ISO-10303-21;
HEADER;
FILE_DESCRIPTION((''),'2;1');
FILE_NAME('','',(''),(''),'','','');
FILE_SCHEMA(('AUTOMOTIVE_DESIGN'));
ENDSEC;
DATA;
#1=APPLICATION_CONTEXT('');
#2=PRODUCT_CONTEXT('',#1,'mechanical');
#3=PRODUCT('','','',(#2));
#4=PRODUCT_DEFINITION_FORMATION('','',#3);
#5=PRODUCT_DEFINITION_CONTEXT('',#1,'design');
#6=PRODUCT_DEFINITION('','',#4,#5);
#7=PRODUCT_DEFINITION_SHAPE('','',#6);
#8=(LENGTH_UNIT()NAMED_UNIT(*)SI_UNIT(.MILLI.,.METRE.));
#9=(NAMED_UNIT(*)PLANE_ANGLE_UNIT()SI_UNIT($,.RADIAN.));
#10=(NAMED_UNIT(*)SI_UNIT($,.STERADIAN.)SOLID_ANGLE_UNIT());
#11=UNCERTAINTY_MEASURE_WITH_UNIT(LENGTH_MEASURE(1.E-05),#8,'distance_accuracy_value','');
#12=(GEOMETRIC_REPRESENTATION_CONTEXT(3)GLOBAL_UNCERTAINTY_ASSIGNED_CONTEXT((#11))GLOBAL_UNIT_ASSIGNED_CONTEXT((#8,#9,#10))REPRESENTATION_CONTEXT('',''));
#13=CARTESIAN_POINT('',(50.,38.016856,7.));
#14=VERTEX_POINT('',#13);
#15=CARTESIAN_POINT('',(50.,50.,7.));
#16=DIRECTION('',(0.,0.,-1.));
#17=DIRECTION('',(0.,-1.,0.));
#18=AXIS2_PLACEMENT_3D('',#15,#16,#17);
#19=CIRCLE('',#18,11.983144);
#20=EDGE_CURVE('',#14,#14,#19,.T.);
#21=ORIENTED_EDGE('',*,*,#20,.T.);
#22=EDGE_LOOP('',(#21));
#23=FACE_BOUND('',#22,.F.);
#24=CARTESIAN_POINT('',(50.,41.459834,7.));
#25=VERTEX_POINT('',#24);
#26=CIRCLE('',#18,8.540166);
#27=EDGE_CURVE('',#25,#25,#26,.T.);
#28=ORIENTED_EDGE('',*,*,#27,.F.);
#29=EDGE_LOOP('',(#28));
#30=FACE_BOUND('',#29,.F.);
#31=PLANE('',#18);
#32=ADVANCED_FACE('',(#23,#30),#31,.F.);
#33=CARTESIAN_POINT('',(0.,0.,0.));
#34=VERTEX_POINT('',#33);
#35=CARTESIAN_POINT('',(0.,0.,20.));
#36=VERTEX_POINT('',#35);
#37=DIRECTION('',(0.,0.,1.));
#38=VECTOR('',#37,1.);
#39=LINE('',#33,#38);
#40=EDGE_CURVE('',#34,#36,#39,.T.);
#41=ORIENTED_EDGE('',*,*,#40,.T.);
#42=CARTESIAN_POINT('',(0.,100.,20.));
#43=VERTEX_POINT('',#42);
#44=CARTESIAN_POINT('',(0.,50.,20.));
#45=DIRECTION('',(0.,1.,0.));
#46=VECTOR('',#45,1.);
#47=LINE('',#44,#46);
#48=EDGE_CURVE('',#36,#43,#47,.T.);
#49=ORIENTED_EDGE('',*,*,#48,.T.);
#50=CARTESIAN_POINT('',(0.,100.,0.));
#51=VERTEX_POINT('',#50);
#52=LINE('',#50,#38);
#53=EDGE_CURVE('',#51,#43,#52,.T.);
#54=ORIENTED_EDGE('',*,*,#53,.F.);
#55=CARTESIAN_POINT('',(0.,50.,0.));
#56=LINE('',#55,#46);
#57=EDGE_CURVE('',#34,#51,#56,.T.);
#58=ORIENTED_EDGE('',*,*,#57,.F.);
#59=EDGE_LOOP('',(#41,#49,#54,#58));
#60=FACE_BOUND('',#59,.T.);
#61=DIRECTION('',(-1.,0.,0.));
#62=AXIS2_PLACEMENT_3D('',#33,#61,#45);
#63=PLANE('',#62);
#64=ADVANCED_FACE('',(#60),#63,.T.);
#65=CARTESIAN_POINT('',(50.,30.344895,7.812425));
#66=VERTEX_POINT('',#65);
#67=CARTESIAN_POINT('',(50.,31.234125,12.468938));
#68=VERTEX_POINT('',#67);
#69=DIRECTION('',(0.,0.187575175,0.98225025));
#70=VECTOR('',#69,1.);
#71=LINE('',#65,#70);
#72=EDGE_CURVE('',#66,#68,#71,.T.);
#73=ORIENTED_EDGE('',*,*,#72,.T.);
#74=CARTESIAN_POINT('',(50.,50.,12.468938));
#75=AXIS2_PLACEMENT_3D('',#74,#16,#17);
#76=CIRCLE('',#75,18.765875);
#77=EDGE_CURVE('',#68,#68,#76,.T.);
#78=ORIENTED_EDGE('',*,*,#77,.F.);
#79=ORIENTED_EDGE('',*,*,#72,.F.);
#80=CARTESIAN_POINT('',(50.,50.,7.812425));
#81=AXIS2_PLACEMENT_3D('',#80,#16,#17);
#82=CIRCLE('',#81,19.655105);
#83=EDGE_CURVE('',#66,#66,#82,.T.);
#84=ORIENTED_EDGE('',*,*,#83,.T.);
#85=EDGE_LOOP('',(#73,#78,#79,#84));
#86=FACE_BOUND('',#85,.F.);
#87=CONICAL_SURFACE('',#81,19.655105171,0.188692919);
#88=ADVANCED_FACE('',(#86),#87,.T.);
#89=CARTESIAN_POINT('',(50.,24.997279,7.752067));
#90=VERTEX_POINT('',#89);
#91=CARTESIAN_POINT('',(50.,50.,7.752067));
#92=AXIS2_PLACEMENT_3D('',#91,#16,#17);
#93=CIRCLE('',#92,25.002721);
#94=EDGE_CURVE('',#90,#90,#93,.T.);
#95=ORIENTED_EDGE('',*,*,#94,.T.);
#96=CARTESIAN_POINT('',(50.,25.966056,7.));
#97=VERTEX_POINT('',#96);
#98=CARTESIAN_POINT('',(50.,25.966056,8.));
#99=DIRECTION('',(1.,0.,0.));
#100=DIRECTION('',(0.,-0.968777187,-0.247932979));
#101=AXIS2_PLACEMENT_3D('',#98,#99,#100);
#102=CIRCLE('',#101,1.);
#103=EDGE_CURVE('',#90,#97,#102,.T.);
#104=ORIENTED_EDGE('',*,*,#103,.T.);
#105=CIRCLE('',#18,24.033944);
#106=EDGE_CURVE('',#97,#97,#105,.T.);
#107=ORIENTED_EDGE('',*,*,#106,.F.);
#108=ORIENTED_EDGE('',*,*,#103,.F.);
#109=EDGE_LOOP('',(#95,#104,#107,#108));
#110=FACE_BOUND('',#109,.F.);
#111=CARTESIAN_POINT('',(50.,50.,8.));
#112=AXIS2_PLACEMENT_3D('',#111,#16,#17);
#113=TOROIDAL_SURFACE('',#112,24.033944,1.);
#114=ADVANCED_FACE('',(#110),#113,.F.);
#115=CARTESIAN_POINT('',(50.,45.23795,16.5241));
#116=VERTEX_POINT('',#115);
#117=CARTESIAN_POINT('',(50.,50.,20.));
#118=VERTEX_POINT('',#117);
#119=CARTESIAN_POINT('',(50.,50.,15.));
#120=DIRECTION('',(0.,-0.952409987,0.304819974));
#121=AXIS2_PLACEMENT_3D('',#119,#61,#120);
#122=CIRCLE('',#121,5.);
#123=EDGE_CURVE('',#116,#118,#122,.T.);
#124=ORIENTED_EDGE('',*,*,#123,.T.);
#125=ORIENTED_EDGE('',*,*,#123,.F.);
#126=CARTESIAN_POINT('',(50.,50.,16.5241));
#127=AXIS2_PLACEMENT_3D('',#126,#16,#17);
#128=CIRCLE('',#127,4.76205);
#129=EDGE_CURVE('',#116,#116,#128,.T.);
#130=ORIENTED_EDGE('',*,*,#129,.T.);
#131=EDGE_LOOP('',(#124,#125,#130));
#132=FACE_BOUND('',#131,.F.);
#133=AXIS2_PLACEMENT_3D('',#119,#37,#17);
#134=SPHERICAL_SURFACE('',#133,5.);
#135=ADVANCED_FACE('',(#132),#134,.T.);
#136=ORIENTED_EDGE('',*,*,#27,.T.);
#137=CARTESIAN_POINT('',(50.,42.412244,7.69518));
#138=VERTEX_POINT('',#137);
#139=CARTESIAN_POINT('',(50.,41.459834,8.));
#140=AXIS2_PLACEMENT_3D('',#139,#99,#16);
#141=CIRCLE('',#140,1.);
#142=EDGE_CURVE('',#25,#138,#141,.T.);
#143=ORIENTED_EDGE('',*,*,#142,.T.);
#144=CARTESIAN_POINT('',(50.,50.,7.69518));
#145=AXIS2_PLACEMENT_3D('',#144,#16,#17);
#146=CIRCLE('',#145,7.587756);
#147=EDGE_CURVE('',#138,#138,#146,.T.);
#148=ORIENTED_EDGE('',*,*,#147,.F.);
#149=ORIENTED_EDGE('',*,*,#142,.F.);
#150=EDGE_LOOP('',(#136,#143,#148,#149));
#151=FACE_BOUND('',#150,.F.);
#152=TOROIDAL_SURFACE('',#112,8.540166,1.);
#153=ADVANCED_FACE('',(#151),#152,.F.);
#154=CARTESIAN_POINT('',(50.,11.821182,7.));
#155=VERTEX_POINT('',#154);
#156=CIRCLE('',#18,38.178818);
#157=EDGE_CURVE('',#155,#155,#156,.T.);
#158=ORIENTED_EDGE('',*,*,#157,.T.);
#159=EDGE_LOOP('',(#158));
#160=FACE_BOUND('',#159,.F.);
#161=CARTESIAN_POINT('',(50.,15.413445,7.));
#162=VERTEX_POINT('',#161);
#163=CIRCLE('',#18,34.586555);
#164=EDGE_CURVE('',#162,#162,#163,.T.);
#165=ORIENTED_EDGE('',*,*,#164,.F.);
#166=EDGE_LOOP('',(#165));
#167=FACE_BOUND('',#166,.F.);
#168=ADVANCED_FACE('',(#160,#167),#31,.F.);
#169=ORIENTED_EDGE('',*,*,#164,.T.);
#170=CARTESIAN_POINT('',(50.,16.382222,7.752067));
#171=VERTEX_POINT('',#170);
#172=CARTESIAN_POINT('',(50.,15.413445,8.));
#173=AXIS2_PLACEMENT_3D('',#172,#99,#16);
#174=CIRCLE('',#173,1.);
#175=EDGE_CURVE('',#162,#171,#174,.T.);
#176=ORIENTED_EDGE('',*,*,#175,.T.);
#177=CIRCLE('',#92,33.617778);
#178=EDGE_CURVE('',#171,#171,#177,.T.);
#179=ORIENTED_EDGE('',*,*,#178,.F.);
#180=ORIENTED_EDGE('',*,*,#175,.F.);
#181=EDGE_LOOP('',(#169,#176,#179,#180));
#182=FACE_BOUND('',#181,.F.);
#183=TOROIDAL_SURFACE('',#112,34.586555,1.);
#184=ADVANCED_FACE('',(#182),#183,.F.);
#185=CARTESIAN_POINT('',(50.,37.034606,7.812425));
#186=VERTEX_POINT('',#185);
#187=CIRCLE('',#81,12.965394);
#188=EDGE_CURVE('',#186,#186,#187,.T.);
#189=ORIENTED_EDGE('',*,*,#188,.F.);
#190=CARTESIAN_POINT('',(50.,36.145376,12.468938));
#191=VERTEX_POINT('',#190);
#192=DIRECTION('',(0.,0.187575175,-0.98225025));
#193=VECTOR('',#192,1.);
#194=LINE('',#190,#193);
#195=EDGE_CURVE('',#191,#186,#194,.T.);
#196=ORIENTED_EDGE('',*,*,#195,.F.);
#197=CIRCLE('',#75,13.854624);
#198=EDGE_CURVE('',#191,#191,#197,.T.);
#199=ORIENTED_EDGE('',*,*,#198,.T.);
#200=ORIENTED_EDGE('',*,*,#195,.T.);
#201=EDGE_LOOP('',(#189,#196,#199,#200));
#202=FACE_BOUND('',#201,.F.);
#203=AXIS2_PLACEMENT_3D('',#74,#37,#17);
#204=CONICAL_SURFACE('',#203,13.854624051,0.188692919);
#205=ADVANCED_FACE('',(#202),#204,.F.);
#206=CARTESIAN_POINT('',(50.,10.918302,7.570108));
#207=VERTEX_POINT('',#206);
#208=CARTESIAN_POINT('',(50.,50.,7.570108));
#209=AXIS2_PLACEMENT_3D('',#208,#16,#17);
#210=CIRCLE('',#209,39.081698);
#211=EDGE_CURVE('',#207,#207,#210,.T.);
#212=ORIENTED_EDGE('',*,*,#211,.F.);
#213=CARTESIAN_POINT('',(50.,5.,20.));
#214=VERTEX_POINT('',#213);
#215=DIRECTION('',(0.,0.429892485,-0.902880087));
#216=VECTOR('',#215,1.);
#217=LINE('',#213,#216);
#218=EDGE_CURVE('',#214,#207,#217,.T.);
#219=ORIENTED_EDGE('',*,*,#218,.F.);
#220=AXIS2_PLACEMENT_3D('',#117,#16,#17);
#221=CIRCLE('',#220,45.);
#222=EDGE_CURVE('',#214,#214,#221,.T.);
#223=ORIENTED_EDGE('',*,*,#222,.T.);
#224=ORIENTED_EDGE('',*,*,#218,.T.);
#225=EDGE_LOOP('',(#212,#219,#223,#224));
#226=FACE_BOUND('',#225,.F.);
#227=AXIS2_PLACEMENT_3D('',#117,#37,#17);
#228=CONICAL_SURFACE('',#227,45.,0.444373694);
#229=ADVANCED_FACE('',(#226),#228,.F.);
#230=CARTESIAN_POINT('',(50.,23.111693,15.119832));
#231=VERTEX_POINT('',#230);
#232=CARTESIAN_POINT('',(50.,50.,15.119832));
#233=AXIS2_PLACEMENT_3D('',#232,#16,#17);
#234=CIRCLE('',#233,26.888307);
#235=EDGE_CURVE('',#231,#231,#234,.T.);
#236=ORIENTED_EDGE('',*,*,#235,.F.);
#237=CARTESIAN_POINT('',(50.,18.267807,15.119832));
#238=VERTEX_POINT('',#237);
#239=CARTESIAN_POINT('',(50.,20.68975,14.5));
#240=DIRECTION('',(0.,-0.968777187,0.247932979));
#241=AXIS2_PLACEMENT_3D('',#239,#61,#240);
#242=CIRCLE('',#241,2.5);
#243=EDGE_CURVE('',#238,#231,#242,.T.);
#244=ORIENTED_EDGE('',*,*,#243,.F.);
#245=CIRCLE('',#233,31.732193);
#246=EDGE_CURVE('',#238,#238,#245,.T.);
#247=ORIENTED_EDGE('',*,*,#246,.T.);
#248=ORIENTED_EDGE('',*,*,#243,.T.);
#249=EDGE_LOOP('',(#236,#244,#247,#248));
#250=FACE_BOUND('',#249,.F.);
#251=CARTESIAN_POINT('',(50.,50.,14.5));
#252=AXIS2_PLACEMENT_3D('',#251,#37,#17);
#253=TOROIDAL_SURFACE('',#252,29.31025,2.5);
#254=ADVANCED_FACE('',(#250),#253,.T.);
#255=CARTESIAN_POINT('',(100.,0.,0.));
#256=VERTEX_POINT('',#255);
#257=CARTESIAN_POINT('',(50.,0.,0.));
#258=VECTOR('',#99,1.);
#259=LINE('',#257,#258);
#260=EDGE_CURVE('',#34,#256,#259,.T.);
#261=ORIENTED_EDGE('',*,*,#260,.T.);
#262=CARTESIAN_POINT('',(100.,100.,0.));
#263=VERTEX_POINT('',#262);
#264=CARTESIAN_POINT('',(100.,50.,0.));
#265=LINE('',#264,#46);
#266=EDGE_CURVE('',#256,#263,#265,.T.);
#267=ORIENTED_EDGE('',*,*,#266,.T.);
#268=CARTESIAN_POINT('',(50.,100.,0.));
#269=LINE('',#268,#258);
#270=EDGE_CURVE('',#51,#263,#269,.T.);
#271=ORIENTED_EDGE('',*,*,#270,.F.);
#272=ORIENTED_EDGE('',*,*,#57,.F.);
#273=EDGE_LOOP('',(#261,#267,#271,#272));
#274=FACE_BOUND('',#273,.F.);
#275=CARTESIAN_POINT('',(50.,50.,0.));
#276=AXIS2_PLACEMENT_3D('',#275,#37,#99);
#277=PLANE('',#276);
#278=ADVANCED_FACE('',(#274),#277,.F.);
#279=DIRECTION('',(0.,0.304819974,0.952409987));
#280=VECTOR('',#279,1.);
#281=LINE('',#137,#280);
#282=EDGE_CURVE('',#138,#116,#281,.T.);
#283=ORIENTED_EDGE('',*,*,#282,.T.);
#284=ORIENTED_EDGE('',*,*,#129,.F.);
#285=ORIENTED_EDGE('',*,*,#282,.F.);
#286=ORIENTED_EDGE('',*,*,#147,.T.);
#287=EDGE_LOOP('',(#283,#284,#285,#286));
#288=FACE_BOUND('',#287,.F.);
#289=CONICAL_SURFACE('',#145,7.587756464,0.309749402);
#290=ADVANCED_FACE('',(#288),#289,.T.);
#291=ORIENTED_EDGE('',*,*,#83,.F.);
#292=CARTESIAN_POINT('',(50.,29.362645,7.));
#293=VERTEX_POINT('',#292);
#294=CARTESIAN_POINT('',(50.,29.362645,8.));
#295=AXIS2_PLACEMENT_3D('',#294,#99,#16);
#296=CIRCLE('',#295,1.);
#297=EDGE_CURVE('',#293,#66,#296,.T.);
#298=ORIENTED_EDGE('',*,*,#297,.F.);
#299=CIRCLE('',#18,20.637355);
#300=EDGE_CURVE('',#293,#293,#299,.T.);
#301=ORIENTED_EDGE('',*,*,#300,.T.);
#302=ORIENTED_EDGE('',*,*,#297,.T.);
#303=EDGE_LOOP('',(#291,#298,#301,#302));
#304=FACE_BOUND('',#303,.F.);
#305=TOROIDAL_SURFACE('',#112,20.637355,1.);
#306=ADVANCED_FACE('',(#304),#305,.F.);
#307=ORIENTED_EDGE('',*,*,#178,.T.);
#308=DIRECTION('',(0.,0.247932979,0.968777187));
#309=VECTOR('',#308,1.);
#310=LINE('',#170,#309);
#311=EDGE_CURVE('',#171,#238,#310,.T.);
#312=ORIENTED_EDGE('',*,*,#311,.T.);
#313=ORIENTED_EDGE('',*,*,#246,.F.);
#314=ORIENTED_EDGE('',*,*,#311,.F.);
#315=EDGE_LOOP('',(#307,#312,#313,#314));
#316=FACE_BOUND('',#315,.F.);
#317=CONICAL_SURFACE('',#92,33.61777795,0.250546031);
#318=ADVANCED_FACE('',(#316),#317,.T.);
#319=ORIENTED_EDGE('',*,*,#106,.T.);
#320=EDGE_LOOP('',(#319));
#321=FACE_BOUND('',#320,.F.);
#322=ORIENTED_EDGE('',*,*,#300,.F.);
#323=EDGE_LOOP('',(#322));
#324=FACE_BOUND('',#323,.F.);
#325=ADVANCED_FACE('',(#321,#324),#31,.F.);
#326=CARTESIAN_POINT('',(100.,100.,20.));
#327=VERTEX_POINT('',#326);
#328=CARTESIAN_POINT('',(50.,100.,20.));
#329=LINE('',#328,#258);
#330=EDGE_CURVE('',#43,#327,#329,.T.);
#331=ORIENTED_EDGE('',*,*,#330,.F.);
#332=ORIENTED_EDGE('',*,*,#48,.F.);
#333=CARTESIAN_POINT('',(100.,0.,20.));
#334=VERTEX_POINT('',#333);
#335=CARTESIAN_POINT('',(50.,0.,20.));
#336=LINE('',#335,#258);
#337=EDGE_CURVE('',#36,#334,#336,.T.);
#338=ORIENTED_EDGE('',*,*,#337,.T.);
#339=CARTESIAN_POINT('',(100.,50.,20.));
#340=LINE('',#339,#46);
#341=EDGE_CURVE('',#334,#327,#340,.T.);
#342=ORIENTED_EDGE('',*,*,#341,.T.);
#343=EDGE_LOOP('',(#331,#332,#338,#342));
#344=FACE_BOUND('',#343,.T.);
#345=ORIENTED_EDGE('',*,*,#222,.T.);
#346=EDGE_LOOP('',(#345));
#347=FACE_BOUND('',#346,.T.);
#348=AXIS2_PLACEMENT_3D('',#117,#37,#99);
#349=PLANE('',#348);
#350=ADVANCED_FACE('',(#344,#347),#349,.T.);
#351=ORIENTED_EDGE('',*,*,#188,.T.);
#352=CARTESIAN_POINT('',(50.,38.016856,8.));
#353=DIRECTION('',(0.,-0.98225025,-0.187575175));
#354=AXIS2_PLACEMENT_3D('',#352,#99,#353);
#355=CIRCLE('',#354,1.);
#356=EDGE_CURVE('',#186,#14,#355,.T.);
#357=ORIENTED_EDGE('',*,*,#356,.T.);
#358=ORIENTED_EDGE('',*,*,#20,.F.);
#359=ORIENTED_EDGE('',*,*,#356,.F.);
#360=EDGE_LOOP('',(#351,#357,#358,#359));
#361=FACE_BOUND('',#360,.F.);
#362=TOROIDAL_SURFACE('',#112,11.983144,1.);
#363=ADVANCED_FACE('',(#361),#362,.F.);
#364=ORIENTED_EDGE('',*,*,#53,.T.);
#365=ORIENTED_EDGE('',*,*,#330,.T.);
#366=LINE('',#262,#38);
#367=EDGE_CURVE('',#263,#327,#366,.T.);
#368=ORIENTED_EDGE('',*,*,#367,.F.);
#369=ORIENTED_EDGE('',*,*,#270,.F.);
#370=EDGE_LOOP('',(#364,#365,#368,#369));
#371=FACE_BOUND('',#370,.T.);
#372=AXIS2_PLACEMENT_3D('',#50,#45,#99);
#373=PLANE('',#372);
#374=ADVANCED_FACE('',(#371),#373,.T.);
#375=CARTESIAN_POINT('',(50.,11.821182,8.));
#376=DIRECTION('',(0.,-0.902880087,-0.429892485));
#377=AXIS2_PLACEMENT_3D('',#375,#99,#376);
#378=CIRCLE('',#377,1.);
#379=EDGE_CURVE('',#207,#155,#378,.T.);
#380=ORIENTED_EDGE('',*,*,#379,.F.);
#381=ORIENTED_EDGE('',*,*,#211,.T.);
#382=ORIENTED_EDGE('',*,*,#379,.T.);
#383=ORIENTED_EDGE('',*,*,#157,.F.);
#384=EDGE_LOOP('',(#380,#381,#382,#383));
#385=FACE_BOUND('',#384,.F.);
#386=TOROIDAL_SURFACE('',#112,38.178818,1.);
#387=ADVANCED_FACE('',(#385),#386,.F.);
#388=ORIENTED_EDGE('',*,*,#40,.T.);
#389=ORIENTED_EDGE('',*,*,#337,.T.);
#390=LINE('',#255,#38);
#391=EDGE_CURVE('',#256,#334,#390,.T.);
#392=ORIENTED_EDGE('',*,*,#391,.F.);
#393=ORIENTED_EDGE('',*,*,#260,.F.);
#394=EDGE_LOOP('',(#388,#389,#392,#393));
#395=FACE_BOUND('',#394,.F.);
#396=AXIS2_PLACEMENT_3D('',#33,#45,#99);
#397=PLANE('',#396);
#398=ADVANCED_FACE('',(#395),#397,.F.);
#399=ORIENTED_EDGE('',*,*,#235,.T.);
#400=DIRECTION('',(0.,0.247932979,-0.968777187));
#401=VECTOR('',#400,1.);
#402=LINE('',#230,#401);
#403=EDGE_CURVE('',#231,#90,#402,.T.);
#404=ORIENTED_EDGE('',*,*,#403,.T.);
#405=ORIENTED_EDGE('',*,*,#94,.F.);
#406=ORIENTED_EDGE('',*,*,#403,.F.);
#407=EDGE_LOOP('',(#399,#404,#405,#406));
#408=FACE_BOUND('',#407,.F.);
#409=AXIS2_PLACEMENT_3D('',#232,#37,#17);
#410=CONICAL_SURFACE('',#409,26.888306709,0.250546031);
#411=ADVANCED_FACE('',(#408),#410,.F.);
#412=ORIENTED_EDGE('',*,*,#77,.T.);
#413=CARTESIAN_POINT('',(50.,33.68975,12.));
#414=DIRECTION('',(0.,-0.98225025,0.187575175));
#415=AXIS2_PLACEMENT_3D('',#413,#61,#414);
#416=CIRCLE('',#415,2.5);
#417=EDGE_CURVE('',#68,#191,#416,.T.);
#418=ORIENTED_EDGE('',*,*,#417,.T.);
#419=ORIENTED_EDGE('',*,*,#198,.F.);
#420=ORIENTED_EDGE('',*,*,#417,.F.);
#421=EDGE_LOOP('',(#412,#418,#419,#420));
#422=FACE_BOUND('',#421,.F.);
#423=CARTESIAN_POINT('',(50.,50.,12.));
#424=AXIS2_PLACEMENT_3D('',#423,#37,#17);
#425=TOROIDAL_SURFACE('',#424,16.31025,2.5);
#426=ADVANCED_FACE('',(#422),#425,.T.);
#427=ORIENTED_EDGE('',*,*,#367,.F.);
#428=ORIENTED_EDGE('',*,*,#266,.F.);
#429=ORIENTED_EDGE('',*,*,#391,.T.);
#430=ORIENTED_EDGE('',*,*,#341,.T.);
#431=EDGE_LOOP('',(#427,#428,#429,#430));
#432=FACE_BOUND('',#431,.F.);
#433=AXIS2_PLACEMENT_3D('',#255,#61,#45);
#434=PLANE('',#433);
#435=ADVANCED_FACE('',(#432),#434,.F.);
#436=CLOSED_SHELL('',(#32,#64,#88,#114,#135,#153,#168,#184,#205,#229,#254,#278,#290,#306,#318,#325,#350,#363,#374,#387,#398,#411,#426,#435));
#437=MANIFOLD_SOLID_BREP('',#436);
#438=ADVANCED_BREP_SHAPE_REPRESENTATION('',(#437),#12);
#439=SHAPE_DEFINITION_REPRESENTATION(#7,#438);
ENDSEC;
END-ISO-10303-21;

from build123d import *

# Parameters (mm, degrees)
F0_W     = 100
F0_H     = 100
F1_DEPTH = 20


with BuildPart() as f1:
    # F0 (on Top) → F1 (new body)
    with BuildSketch(Plane.XY):
        with Locations((50, 50)):
            Rectangle(F0_W, F0_H)
    extrude(amount=F1_DEPTH)

    # F3 (on offset) → F4 (revolve, cut)
    with BuildSketch(Plane.YZ.offset(50)):
        with BuildLine():
            ThreePointArc((45.2379500648, 16.5240998704), (47.0521617541, 19.0385950126), (50, 20))
            Line((50, 20), (50, 25.9662102908))
            Line((50, 25.9662102908), (5, 25.9662102908))
            Line((5, 25.9662102908), (5, 20))
            Line((5, 20), (10.9183023877, 7.5701075147))
            ThreePointArc((10.9183023877, 7.5701075147), (11.2872782158, 7.1544550617), (11.8211824744, 7))
            Line((11.8211824744, 7), (15.4134448627, 7))
            ThreePointArc((15.4134448627, 7), (16.0266605756, 7.2100845049), (16.3822220496, 7.7520670211))
            Line((16.3822220496, 7.7520670211), (18.2678073567, 15.1198324471))
            ThreePointArc((18.2678073567, 15.1198324471), (20.6897503241, 17), (23.1116932915, 15.1198324471))
            Line((23.1116932915, 15.1198324471), (24.9972785985, 7.7520670211))
            ThreePointArc((24.9972785985, 7.7520670211), (25.3528400726, 7.2100845049), (25.9660557855, 7))
            Line((25.9660557855, 7), (29.362644579, 7))
            ThreePointArc((29.362644579, 7), (29.9999925314, 7.22942386), (30.344894829, 7.812424825))
            Line((30.344894829, 7.812424825), (31.234124699, 12.4689379376))
            ThreePointArc((31.234124699, 12.4689379376), (33.6897503241, 14.5), (36.1453759492, 12.4689379376))
            Line((36.1453759492, 12.4689379376), (37.0346058192, 7.812424825))
            ThreePointArc((37.0346058192, 7.812424825), (37.3795081168, 7.22942386), (38.0168560692, 7))
            Line((38.0168560692, 7), (41.4598335494, 7))
            ThreePointArc((41.4598335494, 7), (42.0494011986, 7.1922809975), (42.4122435364, 7.6951800259))
            Line((42.4122435364, 7.6951800259), (45.2379500648, 16.5240998704))
        make_face()
    revolve(axis=Axis((50, 50, 17.0585268643), (0, 0, -1)), mode=Mode.SUBTRACT)


solid = f1.part
